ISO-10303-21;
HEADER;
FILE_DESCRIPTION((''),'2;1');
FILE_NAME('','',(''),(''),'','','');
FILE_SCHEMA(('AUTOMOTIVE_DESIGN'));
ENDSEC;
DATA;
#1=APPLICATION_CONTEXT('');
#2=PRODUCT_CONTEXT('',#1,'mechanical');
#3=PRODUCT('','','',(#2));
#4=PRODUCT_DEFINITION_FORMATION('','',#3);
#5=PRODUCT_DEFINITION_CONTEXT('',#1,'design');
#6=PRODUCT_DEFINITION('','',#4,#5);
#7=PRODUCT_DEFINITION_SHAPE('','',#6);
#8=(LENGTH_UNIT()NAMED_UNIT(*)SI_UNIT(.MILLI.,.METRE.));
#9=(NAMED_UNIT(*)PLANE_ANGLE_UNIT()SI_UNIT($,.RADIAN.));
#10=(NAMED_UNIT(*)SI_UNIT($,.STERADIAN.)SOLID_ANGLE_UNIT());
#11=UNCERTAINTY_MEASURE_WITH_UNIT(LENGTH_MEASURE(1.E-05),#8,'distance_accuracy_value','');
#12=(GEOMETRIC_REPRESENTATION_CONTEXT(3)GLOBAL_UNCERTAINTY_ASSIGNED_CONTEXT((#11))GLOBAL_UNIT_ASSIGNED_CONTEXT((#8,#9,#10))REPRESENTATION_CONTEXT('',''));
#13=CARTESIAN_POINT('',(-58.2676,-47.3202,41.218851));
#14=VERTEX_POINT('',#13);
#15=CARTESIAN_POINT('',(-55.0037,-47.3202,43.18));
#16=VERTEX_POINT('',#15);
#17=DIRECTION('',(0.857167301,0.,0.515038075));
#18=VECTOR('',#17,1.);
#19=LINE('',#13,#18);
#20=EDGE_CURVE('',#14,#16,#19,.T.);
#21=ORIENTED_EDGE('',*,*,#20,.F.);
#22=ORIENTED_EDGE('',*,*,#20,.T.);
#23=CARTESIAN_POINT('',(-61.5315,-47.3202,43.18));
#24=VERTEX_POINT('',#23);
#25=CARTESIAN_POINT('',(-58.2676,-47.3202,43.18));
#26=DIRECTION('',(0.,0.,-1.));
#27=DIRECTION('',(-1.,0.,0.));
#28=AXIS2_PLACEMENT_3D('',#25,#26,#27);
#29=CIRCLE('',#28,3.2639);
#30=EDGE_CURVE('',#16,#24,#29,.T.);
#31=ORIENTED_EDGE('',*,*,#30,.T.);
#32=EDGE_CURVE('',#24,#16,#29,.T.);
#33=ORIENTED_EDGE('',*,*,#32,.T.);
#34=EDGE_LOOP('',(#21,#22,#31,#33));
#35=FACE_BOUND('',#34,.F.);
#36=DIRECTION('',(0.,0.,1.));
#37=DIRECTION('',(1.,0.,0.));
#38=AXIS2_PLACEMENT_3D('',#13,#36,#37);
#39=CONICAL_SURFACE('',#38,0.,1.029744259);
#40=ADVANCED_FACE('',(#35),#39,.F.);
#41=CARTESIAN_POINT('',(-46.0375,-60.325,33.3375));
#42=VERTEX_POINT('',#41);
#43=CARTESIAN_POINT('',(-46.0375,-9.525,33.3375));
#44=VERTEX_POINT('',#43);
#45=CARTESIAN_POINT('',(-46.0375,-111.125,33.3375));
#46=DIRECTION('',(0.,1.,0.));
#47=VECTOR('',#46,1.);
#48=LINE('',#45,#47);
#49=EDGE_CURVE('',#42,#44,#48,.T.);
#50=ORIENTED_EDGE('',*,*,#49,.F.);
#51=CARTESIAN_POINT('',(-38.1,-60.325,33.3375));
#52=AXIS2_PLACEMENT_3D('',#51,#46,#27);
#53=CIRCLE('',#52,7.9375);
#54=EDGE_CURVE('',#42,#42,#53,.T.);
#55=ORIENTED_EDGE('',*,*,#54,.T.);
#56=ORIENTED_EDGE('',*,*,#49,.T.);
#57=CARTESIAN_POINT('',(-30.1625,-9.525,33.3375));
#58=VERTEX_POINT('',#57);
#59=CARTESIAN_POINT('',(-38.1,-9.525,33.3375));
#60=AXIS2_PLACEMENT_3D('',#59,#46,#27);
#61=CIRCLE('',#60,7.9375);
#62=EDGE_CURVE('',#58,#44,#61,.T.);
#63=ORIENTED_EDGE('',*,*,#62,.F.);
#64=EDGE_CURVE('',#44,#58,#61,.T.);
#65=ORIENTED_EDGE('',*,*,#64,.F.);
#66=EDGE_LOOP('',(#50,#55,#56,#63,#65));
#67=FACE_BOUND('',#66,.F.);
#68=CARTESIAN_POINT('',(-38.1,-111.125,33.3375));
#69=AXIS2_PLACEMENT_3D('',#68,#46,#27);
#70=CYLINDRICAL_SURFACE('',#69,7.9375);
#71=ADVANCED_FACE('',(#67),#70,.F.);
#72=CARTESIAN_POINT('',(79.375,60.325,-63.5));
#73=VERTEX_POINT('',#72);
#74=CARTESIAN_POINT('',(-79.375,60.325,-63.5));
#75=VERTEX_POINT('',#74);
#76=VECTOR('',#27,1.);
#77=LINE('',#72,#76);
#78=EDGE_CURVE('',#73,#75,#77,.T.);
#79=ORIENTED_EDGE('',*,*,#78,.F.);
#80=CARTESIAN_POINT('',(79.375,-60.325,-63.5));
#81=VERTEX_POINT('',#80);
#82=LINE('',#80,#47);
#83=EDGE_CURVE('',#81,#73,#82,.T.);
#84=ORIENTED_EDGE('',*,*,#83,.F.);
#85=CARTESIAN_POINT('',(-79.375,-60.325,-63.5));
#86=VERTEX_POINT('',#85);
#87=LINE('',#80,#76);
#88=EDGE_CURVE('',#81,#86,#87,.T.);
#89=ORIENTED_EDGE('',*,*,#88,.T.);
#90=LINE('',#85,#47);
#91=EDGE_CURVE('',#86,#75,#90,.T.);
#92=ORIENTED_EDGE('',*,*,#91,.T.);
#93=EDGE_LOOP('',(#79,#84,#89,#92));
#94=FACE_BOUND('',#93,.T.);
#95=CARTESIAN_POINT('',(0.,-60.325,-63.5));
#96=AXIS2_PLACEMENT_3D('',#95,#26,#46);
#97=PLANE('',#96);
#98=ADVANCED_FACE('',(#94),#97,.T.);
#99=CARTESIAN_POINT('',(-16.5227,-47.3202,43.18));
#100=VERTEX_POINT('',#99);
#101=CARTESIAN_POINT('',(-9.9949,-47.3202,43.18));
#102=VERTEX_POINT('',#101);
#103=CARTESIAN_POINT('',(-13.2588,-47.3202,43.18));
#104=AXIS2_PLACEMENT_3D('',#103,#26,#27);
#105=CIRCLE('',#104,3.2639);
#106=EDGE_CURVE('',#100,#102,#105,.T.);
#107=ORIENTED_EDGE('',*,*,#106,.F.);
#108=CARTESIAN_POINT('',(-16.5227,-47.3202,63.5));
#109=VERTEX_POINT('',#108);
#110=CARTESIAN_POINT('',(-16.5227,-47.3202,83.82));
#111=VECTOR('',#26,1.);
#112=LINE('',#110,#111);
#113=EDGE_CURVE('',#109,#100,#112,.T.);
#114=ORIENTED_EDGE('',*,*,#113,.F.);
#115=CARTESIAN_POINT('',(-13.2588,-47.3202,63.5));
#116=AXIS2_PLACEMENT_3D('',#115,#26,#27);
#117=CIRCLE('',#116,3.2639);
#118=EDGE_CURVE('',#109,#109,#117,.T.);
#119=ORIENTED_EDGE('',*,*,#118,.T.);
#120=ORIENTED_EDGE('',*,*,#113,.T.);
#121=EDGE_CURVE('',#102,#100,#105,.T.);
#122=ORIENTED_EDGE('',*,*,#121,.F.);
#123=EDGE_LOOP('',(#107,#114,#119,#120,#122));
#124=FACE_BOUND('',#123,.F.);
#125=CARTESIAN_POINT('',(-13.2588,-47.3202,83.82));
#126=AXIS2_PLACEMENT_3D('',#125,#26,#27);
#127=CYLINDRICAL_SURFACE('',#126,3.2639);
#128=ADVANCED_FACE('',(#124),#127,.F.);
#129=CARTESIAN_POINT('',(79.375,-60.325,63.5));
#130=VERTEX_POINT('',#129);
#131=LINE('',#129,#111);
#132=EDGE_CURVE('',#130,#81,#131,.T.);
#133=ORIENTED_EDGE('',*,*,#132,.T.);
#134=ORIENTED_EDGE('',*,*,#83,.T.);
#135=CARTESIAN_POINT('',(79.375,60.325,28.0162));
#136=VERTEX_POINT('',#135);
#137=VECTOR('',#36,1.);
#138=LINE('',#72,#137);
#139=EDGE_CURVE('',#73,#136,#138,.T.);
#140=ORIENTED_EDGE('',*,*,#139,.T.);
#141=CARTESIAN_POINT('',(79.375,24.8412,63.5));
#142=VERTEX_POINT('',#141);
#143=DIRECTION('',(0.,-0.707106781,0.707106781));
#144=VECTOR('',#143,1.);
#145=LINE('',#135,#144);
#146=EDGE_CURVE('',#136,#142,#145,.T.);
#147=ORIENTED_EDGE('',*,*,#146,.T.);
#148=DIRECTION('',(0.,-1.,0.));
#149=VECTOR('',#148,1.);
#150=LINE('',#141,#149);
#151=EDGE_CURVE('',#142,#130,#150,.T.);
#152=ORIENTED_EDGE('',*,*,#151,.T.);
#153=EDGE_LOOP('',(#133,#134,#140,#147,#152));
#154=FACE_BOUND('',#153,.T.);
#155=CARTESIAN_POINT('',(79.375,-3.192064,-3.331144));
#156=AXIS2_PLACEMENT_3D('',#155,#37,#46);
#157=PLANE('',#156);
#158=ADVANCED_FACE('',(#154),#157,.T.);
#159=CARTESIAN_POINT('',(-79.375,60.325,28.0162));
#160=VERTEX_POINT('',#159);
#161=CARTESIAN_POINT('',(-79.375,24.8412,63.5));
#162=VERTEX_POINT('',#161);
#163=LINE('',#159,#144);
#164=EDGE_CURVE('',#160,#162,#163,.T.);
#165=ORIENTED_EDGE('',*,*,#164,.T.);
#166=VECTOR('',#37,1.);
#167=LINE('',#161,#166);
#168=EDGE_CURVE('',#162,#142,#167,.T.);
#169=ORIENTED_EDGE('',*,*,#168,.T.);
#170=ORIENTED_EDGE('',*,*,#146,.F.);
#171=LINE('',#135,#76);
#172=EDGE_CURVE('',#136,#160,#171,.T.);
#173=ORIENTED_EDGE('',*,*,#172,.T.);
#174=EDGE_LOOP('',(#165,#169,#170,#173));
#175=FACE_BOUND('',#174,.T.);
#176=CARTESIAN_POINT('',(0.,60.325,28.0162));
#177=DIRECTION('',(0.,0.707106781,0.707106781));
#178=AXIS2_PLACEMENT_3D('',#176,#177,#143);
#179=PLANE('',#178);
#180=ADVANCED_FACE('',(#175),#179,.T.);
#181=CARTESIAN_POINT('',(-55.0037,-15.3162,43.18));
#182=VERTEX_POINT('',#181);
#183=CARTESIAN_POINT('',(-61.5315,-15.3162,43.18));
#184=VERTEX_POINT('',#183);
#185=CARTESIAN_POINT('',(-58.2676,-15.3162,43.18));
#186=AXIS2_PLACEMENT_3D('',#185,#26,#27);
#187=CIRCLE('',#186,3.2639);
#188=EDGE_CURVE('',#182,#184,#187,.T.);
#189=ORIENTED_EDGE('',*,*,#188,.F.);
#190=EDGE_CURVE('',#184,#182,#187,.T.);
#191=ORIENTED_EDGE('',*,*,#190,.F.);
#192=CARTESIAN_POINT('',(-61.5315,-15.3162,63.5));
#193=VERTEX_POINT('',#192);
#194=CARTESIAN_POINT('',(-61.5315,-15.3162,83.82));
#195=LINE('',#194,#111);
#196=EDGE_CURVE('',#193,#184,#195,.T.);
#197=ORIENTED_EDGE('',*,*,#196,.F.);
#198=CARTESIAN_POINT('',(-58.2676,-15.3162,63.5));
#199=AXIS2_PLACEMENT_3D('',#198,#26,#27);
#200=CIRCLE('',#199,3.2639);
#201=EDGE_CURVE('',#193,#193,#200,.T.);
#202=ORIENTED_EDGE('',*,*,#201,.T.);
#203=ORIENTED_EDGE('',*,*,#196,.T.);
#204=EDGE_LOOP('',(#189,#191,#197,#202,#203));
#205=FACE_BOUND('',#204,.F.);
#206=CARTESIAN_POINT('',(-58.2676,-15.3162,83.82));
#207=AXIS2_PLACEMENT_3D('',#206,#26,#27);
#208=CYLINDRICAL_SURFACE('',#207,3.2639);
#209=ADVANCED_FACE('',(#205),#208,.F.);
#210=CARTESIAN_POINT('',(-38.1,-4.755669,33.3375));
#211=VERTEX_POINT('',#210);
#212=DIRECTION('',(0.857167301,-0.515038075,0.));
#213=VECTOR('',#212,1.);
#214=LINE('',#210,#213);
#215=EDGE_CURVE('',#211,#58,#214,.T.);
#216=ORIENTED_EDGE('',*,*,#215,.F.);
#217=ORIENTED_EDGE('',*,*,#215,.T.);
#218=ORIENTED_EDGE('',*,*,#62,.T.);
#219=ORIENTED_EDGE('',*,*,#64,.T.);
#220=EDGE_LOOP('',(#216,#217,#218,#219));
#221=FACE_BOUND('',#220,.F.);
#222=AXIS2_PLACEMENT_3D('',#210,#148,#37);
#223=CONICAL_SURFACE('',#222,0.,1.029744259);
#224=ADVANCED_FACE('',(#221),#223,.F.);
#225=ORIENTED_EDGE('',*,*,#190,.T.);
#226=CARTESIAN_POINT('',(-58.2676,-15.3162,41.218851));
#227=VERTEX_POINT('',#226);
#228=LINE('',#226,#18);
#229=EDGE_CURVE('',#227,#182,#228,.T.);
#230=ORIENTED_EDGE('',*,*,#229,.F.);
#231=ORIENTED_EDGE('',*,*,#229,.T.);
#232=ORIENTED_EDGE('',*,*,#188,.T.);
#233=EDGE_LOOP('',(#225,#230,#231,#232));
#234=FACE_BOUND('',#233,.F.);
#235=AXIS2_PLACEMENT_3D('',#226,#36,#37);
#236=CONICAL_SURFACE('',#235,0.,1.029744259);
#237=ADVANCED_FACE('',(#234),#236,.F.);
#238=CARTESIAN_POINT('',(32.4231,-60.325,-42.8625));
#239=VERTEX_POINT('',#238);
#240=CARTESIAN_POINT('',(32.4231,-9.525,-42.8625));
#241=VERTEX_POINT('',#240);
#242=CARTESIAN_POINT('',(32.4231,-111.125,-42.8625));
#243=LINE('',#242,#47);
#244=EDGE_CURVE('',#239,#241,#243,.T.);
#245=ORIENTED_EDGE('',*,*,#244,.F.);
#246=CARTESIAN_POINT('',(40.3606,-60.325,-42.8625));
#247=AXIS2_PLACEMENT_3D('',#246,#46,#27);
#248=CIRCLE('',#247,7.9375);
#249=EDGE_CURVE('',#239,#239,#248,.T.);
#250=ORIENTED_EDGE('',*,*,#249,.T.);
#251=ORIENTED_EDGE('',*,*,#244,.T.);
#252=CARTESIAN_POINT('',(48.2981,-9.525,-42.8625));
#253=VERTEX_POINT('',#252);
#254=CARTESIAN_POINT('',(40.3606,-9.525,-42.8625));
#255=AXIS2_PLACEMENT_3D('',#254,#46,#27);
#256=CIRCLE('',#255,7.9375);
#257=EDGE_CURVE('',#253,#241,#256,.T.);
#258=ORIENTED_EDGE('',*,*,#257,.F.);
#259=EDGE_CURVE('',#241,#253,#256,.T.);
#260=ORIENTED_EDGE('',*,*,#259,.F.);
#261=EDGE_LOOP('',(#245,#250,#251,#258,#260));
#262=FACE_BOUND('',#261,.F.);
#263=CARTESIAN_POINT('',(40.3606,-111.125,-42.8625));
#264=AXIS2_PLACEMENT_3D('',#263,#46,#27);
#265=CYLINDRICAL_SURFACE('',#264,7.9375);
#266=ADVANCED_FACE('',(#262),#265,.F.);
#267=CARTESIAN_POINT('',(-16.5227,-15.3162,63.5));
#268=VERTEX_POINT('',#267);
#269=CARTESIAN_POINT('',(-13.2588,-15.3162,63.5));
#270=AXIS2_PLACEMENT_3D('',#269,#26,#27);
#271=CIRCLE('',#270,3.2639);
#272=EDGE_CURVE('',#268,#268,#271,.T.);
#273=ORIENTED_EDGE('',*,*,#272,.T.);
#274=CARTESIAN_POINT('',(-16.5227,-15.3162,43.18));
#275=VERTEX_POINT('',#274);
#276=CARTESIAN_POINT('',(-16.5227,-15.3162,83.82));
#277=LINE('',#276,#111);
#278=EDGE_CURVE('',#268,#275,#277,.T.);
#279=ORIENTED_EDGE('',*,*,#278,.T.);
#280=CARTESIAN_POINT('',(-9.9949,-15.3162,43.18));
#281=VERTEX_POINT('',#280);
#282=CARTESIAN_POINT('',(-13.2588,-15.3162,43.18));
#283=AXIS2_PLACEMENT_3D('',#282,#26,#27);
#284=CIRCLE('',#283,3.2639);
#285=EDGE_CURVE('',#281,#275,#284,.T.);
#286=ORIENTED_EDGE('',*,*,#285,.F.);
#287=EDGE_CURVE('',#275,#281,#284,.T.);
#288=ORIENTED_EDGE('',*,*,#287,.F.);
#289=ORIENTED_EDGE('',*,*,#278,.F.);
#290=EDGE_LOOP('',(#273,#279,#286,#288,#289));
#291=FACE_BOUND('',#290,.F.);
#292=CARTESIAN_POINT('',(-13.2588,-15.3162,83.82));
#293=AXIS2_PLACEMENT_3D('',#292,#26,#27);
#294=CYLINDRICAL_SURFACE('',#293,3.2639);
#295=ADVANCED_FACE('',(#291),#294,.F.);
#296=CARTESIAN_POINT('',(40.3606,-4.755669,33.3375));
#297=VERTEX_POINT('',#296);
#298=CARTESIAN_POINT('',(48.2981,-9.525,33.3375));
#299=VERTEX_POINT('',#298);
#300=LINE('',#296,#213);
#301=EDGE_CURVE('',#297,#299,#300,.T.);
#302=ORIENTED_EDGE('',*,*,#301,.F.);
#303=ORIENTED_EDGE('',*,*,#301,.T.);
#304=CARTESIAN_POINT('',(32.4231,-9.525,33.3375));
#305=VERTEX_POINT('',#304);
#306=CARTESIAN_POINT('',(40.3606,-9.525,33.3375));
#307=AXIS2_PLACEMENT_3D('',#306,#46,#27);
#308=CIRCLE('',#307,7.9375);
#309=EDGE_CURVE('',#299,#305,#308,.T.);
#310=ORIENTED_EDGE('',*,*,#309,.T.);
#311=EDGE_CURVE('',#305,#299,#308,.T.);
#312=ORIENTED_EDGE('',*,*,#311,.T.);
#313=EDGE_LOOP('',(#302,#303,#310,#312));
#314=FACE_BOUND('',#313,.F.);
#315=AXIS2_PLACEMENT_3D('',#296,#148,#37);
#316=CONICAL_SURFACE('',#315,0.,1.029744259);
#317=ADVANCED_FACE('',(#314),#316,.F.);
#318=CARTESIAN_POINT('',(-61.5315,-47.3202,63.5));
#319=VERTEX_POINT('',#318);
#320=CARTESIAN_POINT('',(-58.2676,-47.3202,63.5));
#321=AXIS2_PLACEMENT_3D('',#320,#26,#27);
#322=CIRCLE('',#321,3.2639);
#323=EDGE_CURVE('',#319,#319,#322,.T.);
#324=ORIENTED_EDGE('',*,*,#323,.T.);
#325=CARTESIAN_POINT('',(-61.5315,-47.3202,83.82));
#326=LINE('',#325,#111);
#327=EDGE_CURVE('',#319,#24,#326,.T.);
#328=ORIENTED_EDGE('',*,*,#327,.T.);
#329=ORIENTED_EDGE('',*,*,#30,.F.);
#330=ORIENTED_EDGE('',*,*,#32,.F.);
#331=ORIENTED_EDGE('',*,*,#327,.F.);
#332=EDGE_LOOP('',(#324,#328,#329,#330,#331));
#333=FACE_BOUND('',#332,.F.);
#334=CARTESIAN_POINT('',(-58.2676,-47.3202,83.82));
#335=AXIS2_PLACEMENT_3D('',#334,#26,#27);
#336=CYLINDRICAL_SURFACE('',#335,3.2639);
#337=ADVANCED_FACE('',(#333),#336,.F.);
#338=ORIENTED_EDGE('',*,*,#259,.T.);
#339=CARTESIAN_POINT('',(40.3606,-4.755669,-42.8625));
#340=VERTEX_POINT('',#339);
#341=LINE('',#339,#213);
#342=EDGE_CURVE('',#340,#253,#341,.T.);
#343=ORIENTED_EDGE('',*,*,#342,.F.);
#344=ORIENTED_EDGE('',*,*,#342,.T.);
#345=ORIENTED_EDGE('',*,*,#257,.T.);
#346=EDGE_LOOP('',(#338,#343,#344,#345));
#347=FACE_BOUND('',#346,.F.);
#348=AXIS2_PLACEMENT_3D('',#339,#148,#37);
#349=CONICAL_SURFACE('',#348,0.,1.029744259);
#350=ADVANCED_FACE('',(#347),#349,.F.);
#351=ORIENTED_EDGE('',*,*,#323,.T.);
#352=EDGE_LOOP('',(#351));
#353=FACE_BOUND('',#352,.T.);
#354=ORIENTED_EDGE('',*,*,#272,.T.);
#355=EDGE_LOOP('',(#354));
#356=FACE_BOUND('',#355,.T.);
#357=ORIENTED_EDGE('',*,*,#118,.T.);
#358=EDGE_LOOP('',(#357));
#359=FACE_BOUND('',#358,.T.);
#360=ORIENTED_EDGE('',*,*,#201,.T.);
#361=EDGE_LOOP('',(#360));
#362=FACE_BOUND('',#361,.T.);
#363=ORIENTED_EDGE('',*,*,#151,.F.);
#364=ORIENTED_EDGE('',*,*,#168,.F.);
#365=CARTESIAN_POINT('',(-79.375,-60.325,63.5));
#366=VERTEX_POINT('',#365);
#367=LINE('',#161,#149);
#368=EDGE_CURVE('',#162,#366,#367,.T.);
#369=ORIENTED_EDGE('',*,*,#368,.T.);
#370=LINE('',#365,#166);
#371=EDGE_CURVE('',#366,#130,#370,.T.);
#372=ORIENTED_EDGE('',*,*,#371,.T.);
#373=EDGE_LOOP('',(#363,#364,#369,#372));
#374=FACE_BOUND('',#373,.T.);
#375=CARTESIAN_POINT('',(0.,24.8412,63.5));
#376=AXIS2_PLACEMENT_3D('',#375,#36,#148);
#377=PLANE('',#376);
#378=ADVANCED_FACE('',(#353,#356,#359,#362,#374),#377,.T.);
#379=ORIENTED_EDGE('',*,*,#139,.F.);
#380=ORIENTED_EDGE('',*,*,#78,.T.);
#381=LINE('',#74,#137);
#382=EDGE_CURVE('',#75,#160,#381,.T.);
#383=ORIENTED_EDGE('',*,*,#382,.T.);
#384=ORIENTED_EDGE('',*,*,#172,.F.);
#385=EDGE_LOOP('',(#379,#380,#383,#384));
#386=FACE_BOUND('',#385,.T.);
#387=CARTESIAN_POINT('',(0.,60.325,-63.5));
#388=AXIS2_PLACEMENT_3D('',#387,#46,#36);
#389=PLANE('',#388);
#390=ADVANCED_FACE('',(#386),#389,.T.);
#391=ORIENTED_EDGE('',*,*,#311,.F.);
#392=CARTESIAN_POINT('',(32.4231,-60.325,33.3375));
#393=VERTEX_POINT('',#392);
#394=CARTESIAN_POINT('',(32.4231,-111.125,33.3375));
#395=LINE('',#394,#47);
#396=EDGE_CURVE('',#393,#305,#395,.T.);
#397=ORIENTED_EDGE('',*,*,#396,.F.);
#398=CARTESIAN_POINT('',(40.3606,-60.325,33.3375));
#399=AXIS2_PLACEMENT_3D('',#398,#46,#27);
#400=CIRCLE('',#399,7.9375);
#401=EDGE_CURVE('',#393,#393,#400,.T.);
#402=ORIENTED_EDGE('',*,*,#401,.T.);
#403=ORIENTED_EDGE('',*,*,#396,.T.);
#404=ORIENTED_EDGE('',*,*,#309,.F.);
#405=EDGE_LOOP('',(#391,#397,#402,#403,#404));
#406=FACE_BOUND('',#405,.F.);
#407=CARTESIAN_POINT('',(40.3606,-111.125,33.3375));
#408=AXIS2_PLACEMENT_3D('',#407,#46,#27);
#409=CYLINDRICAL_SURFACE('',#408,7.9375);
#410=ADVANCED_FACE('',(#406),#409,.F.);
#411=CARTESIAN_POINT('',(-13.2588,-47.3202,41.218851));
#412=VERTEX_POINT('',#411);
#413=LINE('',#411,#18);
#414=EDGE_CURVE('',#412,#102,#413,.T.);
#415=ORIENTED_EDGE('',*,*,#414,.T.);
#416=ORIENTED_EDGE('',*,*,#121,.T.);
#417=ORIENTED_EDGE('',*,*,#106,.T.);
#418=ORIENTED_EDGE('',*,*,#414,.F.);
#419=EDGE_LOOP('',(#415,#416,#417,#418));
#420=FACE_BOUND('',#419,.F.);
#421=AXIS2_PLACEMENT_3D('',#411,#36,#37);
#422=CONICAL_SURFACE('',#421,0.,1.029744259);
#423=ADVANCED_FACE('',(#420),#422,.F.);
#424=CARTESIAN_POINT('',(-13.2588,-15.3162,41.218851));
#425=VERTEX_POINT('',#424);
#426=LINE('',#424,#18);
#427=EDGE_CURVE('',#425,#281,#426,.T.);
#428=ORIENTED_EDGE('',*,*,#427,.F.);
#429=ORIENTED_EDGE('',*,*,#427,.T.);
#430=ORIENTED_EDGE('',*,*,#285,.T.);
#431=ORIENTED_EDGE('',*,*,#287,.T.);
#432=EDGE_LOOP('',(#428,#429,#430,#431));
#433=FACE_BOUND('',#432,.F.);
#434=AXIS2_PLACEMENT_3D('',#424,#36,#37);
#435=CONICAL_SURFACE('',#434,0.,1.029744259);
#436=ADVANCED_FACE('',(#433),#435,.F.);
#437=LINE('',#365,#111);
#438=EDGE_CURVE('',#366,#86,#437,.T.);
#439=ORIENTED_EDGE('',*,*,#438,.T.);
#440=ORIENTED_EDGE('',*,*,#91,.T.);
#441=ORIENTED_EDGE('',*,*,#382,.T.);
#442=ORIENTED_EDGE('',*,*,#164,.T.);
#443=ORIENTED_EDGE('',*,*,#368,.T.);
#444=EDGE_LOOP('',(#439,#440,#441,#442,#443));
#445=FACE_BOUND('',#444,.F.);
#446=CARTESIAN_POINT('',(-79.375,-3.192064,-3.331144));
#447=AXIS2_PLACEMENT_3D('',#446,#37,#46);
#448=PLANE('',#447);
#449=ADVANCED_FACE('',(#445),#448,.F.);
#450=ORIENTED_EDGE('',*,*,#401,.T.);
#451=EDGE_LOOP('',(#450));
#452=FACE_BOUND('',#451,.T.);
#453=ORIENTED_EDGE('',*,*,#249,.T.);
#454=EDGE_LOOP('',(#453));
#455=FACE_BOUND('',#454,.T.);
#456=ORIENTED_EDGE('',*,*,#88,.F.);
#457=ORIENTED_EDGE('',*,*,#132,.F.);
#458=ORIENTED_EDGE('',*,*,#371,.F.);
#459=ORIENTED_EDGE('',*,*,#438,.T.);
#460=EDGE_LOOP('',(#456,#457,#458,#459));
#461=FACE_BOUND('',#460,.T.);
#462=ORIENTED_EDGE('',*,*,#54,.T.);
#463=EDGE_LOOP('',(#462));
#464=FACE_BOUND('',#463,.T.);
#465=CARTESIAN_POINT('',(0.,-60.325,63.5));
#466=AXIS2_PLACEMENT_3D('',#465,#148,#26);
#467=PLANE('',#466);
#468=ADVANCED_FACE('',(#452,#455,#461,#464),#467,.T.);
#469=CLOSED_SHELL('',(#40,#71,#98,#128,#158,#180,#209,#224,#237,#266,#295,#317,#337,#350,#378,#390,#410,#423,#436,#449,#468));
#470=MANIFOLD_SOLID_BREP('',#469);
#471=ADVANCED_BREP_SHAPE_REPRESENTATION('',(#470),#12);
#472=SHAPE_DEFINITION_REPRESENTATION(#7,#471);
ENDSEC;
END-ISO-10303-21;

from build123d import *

# Parameters (mm, degrees)
F1_DEPTH = 79.375
F3_D     = 15.875
F3_DEPTH = 50.8
F3_TIP   = 4.7693311635
F5_D     = 6.5278
F5_DEPTH = 20.32
F5_TIP   = 1.9611489744


with BuildPart() as f1:
    # F0 (on Right) → F1 (new body, symmetric)
    with BuildSketch(Plane.YZ):
        Polygon((60.325, 28.0162), (24.8412, 63.5), (-60.325, 63.5), (-60.325, -63.5), (60.325, -63.5), align=None)
    extrude(amount=F1_DEPTH, both=True)

    # F3
    with Locations(Plane.XZ.offset(60.325)):
        with Locations((-38.1, 33.3375), (40.3606, 33.3375), (40.3606, -42.8625)):
            Hole(F3_D / 2, depth=F3_DEPTH)
            with Locations((0, 0, -(F3_DEPTH + F3_TIP / 2))):  # 118° drill point
                Cone(0, F3_D / 2, F3_TIP, mode=Mode.SUBTRACT)

    # F5
    with Locations(Plane.XY.offset(63.5)):
        with Locations((-58.2676, -15.3162), (-58.2676, -47.3202), (-13.2588, -47.3202), (-13.2588, -15.3162)):
            Hole(F5_D / 2, depth=F5_DEPTH)
            with Locations((0, 0, -(F5_DEPTH + F5_TIP / 2))):  # 118° drill point
                Cone(0, F5_D / 2, F5_TIP, mode=Mode.SUBTRACT)


solid = f1.part
